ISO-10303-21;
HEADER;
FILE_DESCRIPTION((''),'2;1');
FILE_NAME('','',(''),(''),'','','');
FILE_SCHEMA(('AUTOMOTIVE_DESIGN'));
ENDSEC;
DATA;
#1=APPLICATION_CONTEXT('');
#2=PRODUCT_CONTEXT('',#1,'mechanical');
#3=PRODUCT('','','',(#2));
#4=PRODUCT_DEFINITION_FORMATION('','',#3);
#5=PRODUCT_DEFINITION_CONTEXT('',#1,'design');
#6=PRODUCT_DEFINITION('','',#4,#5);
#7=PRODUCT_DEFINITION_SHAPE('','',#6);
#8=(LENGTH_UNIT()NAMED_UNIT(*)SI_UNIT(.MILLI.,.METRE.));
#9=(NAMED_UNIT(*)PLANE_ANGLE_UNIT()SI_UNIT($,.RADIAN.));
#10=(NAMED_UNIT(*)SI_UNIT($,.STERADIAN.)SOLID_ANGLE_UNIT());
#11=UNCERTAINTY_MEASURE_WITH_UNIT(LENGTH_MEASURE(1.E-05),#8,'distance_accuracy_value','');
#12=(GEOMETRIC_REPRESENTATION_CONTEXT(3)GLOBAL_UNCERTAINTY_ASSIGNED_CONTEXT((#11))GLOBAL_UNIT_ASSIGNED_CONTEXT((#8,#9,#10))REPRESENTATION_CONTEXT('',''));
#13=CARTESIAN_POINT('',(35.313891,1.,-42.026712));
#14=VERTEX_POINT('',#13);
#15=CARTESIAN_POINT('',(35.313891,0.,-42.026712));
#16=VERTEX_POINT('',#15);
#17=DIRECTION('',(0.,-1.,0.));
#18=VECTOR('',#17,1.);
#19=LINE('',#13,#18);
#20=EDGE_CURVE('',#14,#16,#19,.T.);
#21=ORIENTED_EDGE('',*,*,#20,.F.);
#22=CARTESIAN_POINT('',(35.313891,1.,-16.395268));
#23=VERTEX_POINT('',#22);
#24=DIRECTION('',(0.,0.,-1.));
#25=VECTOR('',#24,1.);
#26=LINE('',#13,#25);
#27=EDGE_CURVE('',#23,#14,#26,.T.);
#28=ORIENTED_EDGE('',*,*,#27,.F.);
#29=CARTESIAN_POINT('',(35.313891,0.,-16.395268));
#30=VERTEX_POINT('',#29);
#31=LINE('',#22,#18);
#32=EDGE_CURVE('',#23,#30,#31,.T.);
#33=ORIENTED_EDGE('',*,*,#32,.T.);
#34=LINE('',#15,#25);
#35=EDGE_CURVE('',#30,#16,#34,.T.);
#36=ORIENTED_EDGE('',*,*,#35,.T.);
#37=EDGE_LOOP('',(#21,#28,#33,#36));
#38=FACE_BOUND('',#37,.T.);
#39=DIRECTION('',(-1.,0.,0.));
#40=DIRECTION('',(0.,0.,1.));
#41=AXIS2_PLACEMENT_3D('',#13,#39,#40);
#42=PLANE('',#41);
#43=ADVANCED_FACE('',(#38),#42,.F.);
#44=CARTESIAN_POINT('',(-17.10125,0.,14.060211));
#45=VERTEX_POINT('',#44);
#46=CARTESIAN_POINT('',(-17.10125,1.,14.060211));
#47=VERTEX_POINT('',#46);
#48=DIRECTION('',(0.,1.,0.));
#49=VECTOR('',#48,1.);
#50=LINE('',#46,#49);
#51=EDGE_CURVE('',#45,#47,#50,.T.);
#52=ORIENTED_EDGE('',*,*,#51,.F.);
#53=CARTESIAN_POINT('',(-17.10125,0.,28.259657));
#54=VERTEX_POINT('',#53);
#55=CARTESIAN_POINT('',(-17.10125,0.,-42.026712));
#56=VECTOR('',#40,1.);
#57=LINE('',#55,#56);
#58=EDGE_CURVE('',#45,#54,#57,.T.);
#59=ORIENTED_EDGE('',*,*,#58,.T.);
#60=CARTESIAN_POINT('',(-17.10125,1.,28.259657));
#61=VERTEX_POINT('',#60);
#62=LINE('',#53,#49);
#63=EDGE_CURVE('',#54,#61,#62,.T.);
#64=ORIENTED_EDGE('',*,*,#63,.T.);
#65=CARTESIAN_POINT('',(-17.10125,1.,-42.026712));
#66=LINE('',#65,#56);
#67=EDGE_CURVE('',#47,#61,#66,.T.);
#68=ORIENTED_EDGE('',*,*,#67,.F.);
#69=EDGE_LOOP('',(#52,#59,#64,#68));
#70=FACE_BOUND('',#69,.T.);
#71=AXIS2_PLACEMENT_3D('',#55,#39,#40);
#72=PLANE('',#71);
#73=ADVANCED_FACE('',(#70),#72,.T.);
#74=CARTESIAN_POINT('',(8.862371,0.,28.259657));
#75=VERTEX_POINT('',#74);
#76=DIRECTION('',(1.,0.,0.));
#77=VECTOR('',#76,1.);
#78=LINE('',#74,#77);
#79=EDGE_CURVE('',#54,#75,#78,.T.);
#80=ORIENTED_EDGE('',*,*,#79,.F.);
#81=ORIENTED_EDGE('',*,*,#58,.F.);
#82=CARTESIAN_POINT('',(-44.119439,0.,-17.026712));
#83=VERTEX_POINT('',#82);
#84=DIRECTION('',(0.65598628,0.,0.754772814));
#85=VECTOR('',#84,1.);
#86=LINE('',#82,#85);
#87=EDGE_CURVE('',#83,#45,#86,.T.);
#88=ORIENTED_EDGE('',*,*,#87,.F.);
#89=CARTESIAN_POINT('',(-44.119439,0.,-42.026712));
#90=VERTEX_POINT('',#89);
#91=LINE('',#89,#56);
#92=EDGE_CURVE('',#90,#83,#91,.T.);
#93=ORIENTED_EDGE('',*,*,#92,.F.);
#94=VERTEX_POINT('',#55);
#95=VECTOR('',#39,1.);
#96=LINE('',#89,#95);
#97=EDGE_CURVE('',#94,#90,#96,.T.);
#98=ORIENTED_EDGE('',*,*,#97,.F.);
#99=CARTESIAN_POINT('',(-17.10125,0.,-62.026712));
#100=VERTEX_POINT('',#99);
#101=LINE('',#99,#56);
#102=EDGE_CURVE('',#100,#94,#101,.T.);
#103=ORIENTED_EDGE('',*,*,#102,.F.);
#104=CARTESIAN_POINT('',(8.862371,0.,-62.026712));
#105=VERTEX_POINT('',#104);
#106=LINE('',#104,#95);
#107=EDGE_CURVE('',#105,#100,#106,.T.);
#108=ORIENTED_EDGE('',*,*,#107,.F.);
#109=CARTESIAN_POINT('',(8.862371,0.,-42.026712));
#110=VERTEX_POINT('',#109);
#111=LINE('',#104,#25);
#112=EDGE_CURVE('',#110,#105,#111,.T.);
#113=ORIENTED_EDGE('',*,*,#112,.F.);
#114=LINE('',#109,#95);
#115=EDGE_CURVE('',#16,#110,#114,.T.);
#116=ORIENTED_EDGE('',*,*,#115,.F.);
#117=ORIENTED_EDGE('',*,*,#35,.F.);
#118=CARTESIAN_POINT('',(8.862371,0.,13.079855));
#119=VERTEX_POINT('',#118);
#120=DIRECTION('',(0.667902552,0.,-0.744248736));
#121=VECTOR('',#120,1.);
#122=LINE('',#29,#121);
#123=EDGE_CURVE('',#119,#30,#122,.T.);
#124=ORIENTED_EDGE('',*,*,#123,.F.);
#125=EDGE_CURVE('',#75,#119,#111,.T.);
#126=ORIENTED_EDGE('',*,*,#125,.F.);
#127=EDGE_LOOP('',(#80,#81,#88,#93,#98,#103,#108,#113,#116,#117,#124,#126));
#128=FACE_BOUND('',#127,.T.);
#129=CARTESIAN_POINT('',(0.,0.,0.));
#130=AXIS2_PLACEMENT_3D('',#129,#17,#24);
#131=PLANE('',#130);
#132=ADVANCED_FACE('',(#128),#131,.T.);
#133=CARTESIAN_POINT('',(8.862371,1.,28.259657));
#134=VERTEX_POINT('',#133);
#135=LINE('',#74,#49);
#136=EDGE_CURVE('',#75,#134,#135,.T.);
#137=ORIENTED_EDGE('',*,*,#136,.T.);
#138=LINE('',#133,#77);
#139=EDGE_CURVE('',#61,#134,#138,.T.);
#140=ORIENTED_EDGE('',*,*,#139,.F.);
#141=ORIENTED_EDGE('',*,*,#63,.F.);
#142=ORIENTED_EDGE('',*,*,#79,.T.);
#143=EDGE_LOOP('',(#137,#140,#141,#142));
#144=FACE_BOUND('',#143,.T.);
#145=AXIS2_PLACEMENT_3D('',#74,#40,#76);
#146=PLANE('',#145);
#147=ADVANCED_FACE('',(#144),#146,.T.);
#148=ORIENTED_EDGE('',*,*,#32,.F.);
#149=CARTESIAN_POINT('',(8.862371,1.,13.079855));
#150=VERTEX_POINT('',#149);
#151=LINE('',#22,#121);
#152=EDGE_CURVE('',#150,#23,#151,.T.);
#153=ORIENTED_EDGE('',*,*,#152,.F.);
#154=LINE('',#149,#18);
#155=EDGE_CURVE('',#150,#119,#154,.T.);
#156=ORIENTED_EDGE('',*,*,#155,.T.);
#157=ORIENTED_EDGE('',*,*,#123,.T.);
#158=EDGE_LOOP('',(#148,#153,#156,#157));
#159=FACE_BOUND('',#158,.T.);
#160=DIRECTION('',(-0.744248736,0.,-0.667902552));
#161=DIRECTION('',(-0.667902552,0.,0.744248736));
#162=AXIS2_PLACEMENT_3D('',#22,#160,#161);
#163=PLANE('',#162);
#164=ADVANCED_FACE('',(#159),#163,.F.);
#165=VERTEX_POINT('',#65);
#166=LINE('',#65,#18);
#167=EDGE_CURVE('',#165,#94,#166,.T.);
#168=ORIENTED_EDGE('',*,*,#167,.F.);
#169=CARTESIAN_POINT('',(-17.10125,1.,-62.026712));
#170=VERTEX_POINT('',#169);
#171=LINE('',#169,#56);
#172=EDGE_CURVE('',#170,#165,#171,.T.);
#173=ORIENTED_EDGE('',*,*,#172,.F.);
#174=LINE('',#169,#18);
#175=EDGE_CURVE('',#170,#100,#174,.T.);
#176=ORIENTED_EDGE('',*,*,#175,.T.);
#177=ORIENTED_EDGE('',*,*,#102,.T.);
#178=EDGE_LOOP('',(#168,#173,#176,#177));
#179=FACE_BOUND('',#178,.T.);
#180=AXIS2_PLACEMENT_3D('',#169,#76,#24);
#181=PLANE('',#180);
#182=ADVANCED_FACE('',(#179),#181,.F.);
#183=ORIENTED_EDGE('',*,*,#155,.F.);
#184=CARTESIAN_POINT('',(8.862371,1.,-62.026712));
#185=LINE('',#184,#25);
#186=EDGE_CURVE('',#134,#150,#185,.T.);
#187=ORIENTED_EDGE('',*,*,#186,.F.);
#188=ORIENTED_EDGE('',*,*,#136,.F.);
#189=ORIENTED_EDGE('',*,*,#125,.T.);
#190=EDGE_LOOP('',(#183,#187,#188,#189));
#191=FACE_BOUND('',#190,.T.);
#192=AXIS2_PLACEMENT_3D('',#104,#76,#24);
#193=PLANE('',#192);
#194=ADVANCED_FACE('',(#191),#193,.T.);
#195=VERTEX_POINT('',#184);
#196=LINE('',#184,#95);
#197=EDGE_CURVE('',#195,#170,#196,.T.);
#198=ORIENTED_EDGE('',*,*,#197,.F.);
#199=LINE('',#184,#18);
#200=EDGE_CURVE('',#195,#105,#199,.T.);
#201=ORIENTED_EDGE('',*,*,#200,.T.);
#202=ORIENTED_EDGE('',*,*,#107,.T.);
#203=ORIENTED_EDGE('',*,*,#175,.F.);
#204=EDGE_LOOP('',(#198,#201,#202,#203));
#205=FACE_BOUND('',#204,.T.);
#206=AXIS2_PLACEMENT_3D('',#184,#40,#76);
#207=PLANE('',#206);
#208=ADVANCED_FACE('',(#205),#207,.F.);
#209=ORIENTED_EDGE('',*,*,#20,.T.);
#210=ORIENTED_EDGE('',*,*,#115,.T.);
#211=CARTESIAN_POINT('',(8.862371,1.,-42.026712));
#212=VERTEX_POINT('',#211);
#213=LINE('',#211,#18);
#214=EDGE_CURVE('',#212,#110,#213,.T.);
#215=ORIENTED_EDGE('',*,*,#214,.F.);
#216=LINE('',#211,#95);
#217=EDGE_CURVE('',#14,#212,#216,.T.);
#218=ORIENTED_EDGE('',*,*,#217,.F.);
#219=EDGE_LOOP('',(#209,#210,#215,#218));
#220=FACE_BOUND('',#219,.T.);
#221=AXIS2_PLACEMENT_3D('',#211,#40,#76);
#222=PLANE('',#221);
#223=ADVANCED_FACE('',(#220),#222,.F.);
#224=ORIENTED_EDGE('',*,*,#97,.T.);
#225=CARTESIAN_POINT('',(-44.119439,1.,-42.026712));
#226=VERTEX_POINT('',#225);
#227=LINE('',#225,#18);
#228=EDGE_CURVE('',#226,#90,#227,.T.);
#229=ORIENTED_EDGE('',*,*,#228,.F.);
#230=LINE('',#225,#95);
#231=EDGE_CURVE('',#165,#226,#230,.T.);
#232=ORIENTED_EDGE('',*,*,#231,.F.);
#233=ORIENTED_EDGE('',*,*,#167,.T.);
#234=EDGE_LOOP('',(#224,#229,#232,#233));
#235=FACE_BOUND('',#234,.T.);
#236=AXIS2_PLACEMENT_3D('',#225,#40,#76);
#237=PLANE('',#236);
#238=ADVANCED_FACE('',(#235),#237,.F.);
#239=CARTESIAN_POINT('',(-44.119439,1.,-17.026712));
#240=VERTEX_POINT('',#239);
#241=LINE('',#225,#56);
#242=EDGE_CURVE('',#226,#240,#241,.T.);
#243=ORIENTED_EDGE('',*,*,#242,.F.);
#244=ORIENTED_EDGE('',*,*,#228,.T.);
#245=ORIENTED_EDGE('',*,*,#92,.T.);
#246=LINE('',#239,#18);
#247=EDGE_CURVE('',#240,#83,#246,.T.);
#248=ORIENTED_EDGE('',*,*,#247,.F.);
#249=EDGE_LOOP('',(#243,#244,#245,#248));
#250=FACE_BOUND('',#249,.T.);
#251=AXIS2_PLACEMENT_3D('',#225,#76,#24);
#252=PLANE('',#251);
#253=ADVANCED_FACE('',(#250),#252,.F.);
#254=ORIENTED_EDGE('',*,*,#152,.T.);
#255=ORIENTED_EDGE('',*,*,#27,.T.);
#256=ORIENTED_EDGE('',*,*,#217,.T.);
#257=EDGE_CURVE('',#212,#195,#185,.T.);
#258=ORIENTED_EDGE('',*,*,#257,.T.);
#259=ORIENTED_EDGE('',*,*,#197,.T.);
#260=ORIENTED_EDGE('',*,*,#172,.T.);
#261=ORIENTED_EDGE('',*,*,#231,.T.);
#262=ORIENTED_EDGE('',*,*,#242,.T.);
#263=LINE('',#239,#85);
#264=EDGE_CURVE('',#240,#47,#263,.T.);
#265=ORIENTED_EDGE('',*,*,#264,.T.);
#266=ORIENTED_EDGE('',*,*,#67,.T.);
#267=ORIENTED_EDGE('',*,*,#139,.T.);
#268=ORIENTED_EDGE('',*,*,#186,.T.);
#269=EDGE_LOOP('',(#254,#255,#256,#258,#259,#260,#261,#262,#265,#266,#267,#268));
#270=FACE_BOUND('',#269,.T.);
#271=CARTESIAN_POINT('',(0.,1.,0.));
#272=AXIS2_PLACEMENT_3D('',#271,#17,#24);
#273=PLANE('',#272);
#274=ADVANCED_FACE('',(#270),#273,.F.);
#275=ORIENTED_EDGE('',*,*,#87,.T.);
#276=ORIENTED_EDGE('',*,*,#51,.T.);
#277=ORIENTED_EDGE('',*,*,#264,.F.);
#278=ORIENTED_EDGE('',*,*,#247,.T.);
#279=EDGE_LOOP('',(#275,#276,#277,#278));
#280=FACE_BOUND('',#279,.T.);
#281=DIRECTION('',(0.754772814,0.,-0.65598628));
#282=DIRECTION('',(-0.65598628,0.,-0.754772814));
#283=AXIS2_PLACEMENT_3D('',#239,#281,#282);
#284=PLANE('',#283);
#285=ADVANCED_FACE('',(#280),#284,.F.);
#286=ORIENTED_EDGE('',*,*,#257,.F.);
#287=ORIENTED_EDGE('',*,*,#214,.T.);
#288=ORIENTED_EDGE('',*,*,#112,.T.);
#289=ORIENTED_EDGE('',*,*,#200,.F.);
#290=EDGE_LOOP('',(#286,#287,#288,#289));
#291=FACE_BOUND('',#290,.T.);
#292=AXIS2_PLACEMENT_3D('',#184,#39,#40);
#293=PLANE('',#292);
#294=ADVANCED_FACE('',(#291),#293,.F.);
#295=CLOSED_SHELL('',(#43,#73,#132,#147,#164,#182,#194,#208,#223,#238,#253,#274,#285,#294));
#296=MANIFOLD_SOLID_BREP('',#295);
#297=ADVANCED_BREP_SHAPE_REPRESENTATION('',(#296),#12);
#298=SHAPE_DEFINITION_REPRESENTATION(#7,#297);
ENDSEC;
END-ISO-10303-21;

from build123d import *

# Parameters (mm, degrees)
BOSS_EXTRUDE1_DEPTH = 1
BOSS_EXTRUDE2_DEPTH = 1


with BuildPart() as part:
    # Sketch1 → Boss-Extrude1 (new body)
    with BuildSketch(Plane(origin=(0, 0, 0), x_dir=(1, 0, 0), z_dir=(0, 1, 0))):
        Polygon((-17.101249567, 62.026712282), (-17.101249567, 42.026712282), (-44.119439114, 42.026712282), (-44.119439114, 17.026712282), (-4.760262303, -28.259656537), (35.313890805, 16.395267634), (35.313890805, 42.026712282), (8.862371339, 42.026712282), (8.862371339, 62.026712282), align=None)
    extrude(amount=BOSS_EXTRUDE1_DEPTH)

    # Sketch2 → Boss-Extrude2 (add)
    with BuildSketch(Plane(origin=(0, 1, 0), x_dir=(1, 0, 0), z_dir=(0, 1, 0))):
        Polygon((8.862371339, -28.259656537), (-17.101249567, -28.259656537), (-17.101249567, 42.026712282), (8.862371339, 62.026712282), align=None)
    extrude(amount=-BOSS_EXTRUDE2_DEPTH)


solid = part.part
